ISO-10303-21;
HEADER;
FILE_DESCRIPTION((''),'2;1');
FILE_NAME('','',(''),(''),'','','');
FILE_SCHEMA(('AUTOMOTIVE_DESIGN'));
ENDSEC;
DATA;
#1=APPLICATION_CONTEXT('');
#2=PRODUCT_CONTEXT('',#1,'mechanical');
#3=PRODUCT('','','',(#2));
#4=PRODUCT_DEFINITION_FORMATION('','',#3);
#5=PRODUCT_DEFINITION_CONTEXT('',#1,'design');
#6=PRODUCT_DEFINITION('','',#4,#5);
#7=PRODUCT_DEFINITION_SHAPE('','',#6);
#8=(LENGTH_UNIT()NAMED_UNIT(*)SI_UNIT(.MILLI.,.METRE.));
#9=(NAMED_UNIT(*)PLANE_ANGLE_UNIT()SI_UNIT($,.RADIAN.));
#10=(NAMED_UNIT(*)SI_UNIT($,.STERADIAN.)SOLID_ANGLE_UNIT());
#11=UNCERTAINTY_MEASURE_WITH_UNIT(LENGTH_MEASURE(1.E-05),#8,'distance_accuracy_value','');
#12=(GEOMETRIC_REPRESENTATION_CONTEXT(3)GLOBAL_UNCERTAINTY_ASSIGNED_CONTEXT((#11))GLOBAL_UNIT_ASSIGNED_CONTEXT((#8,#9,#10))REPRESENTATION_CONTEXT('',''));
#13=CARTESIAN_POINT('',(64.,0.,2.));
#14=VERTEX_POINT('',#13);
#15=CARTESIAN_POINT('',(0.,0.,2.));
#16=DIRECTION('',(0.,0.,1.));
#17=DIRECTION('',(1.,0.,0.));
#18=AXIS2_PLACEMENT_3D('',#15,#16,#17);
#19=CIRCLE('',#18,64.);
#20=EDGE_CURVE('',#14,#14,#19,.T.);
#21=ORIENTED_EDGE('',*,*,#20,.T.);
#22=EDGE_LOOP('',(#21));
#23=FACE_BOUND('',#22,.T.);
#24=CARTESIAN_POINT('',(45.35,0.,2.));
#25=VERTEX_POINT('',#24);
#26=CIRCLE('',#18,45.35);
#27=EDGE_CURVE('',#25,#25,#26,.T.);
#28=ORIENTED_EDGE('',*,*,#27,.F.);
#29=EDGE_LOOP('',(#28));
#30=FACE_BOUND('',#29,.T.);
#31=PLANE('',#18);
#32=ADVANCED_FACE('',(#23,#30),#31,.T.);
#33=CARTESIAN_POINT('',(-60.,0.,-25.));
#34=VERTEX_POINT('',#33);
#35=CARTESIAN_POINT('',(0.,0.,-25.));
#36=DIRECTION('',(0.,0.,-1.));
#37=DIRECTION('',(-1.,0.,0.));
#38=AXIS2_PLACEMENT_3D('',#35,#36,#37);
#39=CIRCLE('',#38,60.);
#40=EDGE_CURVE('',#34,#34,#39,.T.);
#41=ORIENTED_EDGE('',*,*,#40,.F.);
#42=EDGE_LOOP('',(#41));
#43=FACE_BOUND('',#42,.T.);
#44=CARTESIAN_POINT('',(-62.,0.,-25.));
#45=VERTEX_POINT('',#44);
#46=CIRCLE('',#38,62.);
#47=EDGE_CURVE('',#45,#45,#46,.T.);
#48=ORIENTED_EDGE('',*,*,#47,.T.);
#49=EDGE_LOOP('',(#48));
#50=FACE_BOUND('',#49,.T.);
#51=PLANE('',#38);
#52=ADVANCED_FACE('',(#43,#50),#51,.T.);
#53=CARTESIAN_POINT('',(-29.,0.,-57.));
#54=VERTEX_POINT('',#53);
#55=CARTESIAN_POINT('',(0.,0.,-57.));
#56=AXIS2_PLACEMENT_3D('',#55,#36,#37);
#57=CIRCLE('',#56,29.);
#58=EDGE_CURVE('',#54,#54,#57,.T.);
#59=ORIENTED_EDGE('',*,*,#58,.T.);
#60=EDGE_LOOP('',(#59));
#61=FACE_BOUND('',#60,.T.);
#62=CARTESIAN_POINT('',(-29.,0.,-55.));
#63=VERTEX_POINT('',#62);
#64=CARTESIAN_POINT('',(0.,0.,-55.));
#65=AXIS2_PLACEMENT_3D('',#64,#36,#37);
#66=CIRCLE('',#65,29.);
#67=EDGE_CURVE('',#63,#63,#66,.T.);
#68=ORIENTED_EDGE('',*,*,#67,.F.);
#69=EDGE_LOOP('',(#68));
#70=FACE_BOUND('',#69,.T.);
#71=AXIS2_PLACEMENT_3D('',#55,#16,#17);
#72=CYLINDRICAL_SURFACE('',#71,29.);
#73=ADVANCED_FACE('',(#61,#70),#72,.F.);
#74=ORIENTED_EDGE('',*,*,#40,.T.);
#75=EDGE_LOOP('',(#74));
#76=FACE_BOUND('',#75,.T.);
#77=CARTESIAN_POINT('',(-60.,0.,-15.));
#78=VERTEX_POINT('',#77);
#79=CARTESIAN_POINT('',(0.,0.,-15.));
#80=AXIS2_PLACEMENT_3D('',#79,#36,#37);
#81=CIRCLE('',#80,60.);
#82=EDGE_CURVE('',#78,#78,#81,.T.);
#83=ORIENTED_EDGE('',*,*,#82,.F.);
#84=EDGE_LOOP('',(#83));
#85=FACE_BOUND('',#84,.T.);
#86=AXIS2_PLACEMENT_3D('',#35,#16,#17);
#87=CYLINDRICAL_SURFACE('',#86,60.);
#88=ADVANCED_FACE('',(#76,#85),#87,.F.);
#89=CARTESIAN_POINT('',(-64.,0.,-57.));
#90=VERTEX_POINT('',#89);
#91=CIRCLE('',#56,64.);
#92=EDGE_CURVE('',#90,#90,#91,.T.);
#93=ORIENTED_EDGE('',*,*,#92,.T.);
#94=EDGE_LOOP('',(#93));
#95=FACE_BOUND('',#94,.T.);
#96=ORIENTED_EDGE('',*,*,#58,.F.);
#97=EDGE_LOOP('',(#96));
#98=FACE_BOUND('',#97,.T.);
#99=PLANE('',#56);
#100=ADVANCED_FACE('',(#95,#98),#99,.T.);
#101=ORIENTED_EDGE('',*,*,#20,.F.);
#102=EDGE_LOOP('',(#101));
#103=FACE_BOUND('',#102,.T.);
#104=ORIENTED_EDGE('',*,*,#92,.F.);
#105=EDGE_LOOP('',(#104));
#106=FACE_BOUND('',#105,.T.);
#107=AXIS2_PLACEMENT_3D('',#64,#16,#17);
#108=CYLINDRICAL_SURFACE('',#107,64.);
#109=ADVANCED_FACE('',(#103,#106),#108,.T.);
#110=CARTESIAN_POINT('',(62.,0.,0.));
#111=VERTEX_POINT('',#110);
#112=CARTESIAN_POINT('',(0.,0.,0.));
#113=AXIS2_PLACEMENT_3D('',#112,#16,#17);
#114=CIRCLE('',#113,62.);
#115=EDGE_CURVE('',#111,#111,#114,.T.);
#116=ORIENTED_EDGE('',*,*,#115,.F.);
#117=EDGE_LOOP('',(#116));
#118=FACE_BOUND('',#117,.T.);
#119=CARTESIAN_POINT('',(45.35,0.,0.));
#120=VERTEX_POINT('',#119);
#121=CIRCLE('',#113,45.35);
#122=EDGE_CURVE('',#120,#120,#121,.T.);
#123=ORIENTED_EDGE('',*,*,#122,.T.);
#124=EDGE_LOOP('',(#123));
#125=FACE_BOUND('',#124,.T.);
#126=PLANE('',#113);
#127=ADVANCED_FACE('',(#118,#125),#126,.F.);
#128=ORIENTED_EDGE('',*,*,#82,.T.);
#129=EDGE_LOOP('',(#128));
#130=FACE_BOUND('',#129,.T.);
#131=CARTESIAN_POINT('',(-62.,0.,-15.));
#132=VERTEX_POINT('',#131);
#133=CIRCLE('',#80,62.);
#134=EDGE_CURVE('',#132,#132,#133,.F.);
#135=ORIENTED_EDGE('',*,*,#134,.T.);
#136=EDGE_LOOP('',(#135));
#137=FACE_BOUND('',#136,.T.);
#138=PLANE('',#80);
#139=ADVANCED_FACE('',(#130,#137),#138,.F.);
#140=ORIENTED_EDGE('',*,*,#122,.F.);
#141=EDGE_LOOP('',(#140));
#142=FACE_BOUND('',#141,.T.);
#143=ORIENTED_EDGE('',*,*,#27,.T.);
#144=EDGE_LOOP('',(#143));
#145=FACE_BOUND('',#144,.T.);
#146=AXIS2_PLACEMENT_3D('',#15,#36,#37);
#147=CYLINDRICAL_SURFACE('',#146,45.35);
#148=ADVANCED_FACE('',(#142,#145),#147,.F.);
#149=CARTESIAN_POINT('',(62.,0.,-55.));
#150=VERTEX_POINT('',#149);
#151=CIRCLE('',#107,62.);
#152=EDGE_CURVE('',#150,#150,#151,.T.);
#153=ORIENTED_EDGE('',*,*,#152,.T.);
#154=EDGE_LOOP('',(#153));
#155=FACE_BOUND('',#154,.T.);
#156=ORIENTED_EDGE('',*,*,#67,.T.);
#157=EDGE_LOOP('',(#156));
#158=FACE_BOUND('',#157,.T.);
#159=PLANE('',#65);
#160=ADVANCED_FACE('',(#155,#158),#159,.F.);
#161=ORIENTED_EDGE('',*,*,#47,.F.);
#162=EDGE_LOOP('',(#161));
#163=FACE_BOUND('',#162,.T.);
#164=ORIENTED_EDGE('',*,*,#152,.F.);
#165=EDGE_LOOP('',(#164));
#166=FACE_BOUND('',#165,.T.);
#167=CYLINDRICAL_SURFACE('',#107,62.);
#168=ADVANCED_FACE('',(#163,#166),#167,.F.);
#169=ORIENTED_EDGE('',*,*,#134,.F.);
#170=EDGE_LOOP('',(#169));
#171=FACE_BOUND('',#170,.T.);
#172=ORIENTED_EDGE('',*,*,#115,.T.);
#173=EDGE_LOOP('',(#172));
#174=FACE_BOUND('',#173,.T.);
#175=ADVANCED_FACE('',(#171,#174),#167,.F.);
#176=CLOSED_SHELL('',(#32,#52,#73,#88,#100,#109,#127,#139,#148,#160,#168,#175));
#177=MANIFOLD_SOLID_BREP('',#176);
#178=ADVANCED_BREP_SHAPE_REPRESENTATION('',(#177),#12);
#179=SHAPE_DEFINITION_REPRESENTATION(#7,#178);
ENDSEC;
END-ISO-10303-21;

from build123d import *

# Parameters (mm, degrees)
SKETCH1_R           = 64
SKETCH1_R_2         = 62
BOSS_EXTRUDE1_DEPTH = 55
SKETCH2_R           = 62
SKETCH2_R_2         = 60
BOSS_EXTRUDE2_DEPTH = 10
SKETCH3_R           = 64
SKETCH3_R_2         = 45.35
BOSS_EXTRUDE3_DEPTH = 2
SKETCH4_R           = 64
SKETCH4_R_2         = 29
BOSS_EXTRUDE4_DEPTH = 2


with BuildPart() as part:
    # Sketch1 → Boss-Extrude1 (new body)
    with BuildSketch(Plane.XY):
        Circle(SKETCH1_R)
        Circle(SKETCH1_R_2, mode=Mode.SUBTRACT)
    extrude(amount=-BOSS_EXTRUDE1_DEPTH)

    # Sketch2 → Boss-Extrude2 (add)
    with BuildSketch(Plane(origin=(0, 0, -15), x_dir=(-1, 0, 0), z_dir=(0, 0, -1))):
        Circle(SKETCH2_R)
        Circle(SKETCH2_R_2, mode=Mode.SUBTRACT)
    extrude(amount=BOSS_EXTRUDE2_DEPTH)

    # Sketch3 → Boss-Extrude3 (add)
    with BuildSketch(Plane.XY):
        Circle(SKETCH3_R)
        Circle(SKETCH3_R_2, mode=Mode.SUBTRACT)
    extrude(amount=BOSS_EXTRUDE3_DEPTH)

    # Sketch4 → Boss-Extrude4 (add)
    with BuildSketch(Plane(origin=(0, 0, -55), x_dir=(-1, 0, 0), z_dir=(0, 0, -1))):
        Circle(SKETCH4_R)
        Circle(SKETCH4_R_2, mode=Mode.SUBTRACT)
    extrude(amount=BOSS_EXTRUDE4_DEPTH)


solid = part.part
